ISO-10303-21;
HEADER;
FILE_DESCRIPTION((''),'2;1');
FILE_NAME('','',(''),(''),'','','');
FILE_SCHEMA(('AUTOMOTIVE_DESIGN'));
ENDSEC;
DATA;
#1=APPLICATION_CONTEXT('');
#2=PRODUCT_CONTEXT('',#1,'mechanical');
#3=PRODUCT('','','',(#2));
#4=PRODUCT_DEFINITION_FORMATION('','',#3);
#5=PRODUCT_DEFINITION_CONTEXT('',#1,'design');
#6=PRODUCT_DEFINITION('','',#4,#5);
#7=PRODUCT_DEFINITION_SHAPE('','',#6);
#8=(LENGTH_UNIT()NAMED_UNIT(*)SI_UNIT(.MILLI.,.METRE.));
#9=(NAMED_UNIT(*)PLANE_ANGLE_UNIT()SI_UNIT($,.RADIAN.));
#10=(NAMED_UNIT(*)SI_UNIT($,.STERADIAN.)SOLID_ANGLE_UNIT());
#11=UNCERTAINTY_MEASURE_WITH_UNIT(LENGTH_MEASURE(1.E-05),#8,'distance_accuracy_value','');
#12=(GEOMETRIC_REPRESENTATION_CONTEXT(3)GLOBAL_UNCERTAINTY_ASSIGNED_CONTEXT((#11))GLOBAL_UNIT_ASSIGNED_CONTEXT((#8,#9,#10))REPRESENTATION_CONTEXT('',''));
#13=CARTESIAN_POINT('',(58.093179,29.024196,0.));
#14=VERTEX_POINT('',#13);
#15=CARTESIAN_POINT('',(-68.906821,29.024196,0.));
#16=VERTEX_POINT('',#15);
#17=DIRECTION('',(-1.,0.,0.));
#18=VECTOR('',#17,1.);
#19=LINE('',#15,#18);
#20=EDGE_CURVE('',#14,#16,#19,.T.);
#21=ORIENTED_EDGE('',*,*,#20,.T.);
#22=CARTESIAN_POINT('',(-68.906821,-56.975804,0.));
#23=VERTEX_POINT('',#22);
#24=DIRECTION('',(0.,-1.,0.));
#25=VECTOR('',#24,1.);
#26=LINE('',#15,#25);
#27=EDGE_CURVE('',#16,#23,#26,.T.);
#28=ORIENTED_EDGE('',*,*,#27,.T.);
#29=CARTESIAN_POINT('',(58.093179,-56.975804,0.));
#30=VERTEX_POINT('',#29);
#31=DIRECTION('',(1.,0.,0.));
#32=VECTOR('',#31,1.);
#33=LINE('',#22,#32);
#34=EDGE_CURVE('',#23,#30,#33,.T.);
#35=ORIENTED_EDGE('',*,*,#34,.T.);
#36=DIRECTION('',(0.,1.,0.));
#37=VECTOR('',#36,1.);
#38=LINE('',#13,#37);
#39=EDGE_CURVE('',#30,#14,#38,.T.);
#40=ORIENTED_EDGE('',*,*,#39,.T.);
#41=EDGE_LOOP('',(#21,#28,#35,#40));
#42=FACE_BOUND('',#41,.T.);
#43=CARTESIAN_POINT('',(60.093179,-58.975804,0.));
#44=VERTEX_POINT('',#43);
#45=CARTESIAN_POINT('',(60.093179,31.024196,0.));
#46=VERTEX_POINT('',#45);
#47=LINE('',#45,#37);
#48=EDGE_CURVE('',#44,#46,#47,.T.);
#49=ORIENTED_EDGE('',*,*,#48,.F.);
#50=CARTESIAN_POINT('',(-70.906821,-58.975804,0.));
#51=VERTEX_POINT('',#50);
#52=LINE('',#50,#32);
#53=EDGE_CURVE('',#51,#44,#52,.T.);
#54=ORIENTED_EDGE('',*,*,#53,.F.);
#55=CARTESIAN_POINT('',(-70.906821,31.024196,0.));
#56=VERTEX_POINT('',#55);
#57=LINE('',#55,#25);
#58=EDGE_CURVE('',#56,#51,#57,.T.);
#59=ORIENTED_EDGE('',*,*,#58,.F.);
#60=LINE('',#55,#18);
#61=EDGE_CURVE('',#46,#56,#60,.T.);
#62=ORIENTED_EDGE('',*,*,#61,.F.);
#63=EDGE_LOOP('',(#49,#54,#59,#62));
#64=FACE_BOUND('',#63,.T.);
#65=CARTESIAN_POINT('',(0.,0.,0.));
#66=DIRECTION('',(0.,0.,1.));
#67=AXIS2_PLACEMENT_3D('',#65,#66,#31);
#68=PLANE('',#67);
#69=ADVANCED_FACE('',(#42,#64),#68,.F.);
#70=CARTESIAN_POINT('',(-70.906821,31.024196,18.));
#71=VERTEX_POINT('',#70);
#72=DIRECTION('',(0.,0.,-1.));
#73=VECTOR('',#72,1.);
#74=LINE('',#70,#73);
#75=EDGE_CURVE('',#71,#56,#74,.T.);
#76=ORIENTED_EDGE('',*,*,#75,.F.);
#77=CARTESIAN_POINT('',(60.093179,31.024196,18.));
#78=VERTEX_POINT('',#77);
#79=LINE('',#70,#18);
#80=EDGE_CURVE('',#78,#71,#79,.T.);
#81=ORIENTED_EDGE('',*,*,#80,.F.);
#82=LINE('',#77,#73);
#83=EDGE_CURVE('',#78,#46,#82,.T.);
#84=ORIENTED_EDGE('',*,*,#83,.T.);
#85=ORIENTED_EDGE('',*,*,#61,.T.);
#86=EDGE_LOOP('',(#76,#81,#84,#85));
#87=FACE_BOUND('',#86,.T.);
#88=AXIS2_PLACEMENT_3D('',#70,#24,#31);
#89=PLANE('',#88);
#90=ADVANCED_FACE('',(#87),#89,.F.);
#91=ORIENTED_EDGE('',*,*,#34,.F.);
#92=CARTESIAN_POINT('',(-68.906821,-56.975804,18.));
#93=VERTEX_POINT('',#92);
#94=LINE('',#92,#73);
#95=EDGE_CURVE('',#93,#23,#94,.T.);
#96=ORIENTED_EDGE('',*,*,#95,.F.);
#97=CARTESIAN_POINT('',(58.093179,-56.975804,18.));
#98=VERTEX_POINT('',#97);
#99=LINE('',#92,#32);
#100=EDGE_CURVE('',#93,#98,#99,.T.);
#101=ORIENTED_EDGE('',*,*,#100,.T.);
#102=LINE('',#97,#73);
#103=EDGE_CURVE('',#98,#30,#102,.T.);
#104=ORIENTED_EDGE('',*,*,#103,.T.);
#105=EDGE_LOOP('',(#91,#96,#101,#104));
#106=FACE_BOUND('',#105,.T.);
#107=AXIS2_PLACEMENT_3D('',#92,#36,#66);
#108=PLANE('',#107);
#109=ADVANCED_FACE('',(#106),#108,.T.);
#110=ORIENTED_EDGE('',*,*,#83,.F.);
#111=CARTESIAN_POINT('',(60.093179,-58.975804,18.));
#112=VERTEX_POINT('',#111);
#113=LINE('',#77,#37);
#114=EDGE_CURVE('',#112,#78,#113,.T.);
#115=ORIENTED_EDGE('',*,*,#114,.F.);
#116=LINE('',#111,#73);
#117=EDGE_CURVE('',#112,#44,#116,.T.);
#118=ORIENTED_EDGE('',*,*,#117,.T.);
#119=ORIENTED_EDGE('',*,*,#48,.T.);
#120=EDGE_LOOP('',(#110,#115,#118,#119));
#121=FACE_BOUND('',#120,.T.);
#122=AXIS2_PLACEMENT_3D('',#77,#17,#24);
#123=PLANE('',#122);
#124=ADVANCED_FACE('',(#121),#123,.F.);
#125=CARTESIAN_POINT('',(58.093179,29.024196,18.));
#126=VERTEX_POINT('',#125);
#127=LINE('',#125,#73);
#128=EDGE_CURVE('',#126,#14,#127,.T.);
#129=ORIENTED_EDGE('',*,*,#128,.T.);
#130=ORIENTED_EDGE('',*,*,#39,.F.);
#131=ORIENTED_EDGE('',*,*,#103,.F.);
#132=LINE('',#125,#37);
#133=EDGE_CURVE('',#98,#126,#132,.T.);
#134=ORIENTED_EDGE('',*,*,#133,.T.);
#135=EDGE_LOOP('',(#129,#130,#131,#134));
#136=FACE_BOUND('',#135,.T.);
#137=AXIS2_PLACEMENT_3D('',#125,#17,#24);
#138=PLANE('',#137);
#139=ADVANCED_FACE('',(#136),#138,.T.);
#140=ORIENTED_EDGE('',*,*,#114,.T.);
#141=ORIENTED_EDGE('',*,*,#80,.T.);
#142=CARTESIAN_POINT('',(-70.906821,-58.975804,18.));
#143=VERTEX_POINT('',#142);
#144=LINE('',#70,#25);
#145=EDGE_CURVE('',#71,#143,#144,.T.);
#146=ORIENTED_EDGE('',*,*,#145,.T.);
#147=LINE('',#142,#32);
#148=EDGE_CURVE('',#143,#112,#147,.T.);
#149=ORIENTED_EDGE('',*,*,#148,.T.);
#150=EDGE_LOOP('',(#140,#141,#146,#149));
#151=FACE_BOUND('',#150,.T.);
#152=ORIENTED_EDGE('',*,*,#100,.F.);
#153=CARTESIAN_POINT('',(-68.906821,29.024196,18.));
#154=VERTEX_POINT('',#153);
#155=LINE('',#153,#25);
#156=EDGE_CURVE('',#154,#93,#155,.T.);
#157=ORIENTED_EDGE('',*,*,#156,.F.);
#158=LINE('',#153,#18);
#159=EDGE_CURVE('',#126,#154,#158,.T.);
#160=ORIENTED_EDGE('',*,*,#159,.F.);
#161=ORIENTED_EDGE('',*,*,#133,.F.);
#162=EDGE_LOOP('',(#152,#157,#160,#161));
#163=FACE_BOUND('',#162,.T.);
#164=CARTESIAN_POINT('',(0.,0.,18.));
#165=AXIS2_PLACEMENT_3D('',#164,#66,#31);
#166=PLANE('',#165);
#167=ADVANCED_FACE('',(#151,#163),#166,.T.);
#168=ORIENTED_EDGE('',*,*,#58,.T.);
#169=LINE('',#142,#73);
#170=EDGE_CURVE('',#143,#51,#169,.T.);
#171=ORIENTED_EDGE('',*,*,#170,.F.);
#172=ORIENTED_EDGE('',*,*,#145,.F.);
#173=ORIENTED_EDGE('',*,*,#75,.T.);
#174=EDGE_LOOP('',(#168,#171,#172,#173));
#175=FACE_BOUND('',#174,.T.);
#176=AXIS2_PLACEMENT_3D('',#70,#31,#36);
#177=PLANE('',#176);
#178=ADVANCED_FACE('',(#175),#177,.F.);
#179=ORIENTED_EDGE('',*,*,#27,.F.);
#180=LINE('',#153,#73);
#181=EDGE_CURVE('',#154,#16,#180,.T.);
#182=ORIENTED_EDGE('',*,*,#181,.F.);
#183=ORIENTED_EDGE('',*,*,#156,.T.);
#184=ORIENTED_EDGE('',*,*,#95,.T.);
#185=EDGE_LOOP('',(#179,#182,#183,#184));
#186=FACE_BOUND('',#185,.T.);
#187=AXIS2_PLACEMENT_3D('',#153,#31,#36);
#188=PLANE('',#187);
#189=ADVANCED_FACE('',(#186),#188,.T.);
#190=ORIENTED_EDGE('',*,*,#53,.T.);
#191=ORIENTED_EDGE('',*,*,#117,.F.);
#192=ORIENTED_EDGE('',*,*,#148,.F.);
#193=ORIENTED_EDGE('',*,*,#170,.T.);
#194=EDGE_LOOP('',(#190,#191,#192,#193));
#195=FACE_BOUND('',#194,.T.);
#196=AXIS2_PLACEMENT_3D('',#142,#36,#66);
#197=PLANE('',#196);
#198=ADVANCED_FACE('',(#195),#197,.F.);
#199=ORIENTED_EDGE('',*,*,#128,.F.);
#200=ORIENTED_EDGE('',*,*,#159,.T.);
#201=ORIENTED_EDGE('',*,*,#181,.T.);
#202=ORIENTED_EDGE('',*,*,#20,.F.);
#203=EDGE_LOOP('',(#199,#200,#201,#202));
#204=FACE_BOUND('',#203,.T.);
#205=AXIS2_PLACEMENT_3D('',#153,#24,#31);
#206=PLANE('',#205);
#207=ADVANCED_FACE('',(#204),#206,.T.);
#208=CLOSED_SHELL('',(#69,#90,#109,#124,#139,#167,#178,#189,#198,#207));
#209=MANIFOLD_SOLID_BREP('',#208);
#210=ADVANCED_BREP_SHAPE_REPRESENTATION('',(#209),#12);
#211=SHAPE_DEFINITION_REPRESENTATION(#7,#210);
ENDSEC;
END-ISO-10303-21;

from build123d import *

# Parameters (mm, degrees)
SKETCH1_W           = 131
SKETCH1_H           = 90
SKETCH1_W_2         = 127
SKETCH1_H_2         = 86
BOSS_EXTRUDE1_DEPTH = 18


with BuildPart() as part:
    # Sketch1 → Boss-Extrude1 (new body)
    with BuildSketch(Plane.XY):
        with Locations((-5.406821107, -13.975804376)):
            Rectangle(SKETCH1_W, SKETCH1_H)
        with Locations((-5.406821107, -13.975804376)):
            Rectangle(SKETCH1_W_2, SKETCH1_H_2, mode=Mode.SUBTRACT)
    extrude(amount=BOSS_EXTRUDE1_DEPTH)


solid = part.part
